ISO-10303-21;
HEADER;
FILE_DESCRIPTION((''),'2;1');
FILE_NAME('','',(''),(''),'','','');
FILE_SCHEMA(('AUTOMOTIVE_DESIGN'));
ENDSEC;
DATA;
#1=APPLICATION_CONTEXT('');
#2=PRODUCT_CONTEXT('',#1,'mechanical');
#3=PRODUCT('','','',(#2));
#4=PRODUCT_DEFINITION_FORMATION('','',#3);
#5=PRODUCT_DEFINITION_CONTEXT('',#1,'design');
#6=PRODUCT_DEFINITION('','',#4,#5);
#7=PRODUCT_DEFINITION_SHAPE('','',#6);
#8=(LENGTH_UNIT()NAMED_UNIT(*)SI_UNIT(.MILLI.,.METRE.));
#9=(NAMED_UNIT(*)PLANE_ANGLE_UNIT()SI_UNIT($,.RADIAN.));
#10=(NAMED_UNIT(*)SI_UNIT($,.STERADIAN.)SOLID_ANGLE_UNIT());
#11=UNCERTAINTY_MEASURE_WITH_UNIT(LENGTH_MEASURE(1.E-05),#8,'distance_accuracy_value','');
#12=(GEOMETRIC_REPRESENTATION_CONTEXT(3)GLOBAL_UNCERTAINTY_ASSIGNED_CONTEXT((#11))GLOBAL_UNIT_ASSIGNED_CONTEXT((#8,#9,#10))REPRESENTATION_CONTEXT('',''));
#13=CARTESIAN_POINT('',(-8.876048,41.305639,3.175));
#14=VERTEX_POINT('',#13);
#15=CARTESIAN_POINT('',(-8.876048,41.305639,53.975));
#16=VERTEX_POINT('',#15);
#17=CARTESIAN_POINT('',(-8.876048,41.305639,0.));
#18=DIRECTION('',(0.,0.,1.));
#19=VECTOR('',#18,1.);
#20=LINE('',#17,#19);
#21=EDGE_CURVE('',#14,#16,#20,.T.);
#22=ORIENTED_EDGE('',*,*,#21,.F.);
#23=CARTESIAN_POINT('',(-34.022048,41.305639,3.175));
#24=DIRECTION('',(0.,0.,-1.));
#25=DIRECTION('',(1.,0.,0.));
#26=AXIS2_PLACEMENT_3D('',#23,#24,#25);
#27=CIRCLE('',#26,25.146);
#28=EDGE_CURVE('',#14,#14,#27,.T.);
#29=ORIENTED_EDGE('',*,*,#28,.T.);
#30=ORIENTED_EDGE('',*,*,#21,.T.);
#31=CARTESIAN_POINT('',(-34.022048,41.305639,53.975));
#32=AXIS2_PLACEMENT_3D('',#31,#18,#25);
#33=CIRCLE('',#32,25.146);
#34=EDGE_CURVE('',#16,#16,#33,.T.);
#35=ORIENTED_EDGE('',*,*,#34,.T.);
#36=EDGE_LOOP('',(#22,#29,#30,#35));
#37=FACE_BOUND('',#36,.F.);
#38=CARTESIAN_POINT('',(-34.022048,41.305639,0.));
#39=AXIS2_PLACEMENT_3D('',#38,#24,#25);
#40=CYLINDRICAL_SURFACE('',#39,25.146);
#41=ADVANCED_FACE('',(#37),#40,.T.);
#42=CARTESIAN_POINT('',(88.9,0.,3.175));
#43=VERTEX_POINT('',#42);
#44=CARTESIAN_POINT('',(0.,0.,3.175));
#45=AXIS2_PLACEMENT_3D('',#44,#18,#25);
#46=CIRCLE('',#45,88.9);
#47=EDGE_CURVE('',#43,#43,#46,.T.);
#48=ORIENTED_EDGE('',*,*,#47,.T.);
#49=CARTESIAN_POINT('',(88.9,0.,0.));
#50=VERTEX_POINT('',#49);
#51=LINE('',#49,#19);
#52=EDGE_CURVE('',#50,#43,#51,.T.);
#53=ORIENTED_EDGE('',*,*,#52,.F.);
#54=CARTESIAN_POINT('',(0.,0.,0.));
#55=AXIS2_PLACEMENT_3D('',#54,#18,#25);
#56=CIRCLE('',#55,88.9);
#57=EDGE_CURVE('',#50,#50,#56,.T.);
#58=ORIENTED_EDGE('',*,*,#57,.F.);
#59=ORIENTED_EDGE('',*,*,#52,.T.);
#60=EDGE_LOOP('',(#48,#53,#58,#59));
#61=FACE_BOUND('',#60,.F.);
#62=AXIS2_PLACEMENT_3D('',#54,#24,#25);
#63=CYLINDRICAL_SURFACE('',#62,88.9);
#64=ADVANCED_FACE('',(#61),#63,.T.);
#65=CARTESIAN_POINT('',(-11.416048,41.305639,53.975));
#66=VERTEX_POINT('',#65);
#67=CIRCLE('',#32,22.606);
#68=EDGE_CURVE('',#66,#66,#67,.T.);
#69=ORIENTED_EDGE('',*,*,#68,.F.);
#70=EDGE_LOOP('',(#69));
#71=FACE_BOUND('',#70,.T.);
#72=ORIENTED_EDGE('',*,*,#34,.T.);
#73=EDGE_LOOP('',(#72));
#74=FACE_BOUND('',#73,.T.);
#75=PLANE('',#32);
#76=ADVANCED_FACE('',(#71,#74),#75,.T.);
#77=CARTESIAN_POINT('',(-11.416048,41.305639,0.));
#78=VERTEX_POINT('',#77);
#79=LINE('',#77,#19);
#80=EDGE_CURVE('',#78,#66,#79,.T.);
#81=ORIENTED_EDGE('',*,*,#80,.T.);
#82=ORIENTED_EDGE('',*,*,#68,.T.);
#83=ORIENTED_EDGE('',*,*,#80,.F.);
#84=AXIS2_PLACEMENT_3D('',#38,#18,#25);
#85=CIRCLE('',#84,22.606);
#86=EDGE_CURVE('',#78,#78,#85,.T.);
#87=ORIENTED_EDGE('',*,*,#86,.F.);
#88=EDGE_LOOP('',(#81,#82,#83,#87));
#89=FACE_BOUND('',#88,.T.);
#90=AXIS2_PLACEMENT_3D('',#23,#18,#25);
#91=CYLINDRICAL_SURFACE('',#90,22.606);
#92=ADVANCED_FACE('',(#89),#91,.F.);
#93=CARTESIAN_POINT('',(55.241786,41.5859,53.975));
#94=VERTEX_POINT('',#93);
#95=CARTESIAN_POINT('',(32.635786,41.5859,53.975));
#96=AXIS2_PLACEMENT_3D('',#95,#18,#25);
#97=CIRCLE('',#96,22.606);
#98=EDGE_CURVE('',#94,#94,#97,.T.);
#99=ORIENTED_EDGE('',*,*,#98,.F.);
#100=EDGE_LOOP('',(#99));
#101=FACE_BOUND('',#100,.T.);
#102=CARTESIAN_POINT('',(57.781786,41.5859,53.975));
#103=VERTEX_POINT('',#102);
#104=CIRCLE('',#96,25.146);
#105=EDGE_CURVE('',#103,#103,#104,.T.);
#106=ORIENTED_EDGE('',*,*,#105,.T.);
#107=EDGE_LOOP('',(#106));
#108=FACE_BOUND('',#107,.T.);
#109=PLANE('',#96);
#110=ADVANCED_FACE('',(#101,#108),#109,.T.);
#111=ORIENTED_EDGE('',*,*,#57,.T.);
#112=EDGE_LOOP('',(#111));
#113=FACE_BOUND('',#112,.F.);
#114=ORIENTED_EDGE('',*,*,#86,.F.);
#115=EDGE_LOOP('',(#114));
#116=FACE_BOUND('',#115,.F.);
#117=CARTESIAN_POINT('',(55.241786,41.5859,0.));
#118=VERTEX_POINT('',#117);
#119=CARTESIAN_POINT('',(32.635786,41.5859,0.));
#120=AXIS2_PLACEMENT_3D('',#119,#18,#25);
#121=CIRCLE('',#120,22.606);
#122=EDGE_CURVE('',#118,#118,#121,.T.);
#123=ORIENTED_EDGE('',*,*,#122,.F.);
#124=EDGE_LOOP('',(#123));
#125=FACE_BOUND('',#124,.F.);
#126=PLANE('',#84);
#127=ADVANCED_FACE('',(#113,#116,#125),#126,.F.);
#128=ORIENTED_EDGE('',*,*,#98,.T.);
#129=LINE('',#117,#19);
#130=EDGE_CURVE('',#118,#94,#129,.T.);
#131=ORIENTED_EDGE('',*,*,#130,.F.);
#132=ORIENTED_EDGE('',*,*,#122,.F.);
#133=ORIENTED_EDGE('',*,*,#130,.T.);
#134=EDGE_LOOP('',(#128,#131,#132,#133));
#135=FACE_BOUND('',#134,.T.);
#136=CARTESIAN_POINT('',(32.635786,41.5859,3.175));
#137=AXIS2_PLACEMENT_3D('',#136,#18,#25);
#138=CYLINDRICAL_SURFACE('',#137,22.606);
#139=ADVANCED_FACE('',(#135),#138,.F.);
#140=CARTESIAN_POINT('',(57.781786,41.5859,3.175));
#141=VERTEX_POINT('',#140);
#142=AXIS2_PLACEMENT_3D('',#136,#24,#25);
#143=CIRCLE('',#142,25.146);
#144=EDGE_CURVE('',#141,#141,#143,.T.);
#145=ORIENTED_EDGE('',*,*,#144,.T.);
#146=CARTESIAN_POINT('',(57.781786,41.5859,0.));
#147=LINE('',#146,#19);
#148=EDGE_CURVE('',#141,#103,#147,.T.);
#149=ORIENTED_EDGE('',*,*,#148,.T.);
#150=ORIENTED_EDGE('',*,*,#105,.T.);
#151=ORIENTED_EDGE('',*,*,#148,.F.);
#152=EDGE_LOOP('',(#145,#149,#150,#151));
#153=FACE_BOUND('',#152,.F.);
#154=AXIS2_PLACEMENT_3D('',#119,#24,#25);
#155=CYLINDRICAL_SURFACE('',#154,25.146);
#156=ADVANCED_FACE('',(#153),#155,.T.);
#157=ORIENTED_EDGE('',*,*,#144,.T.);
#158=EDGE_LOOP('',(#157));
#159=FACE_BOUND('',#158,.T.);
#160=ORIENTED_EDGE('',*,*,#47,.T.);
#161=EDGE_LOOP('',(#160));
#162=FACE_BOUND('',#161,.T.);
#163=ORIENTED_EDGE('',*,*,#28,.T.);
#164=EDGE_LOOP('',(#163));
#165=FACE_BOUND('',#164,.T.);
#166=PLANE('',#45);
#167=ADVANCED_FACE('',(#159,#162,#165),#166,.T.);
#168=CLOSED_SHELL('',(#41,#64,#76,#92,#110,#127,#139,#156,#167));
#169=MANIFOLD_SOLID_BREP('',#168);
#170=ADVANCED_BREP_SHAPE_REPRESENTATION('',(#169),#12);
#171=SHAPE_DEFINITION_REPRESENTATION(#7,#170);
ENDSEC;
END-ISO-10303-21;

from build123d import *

# Parameters (mm, degrees)
F0_R     = 88.9
F1_DEPTH = 3.175
F2_R     = 25.146
F2_R_2   = 22.606
F3_DEPTH = 53.975
F4_DEPTH = 12.7
F5_DEPTH = 12.7


with BuildPart() as f1:
    # F0 (on Top) → F1 (new body)
    with BuildSketch(Plane.XY):
        Circle(F0_R)
    extrude(amount=F1_DEPTH)

    # F2 (on Top) → F3 (join)
    with BuildSketch(Plane.XY):
        with Locations((-34.0220481157, 41.3056388497)):
            Circle(F2_R)
        with Locations((-34.0220481157, 41.3056388497)):
            Circle(F2_R_2, mode=Mode.SUBTRACT)
        with Locations((32.6357856393, 41.5858998895)):
            Circle(F2_R)
        with Locations((32.6357856393, 41.5858998895)):
            Circle(F2_R_2, mode=Mode.SUBTRACT)
    extrude(amount=F3_DEPTH)

    # F4 (cut, symmetric): a face of the model
    f4_faces = [f1.faces().sort_by_distance(p)[0] for p in [
        (-34.0220481157, 41.3056388497, 3.175),
    ]]
    extrude(f4_faces, amount=F4_DEPTH, both=True, mode=Mode.SUBTRACT)

    # F5 (cut, symmetric): a face of the model
    f5_faces = [f1.faces().sort_by_distance(p)[0] for p in [
        (32.6357856393, 41.5858998895, 3.175),
    ]]
    extrude(f5_faces, amount=F5_DEPTH, both=True, mode=Mode.SUBTRACT)


solid = f1.part
